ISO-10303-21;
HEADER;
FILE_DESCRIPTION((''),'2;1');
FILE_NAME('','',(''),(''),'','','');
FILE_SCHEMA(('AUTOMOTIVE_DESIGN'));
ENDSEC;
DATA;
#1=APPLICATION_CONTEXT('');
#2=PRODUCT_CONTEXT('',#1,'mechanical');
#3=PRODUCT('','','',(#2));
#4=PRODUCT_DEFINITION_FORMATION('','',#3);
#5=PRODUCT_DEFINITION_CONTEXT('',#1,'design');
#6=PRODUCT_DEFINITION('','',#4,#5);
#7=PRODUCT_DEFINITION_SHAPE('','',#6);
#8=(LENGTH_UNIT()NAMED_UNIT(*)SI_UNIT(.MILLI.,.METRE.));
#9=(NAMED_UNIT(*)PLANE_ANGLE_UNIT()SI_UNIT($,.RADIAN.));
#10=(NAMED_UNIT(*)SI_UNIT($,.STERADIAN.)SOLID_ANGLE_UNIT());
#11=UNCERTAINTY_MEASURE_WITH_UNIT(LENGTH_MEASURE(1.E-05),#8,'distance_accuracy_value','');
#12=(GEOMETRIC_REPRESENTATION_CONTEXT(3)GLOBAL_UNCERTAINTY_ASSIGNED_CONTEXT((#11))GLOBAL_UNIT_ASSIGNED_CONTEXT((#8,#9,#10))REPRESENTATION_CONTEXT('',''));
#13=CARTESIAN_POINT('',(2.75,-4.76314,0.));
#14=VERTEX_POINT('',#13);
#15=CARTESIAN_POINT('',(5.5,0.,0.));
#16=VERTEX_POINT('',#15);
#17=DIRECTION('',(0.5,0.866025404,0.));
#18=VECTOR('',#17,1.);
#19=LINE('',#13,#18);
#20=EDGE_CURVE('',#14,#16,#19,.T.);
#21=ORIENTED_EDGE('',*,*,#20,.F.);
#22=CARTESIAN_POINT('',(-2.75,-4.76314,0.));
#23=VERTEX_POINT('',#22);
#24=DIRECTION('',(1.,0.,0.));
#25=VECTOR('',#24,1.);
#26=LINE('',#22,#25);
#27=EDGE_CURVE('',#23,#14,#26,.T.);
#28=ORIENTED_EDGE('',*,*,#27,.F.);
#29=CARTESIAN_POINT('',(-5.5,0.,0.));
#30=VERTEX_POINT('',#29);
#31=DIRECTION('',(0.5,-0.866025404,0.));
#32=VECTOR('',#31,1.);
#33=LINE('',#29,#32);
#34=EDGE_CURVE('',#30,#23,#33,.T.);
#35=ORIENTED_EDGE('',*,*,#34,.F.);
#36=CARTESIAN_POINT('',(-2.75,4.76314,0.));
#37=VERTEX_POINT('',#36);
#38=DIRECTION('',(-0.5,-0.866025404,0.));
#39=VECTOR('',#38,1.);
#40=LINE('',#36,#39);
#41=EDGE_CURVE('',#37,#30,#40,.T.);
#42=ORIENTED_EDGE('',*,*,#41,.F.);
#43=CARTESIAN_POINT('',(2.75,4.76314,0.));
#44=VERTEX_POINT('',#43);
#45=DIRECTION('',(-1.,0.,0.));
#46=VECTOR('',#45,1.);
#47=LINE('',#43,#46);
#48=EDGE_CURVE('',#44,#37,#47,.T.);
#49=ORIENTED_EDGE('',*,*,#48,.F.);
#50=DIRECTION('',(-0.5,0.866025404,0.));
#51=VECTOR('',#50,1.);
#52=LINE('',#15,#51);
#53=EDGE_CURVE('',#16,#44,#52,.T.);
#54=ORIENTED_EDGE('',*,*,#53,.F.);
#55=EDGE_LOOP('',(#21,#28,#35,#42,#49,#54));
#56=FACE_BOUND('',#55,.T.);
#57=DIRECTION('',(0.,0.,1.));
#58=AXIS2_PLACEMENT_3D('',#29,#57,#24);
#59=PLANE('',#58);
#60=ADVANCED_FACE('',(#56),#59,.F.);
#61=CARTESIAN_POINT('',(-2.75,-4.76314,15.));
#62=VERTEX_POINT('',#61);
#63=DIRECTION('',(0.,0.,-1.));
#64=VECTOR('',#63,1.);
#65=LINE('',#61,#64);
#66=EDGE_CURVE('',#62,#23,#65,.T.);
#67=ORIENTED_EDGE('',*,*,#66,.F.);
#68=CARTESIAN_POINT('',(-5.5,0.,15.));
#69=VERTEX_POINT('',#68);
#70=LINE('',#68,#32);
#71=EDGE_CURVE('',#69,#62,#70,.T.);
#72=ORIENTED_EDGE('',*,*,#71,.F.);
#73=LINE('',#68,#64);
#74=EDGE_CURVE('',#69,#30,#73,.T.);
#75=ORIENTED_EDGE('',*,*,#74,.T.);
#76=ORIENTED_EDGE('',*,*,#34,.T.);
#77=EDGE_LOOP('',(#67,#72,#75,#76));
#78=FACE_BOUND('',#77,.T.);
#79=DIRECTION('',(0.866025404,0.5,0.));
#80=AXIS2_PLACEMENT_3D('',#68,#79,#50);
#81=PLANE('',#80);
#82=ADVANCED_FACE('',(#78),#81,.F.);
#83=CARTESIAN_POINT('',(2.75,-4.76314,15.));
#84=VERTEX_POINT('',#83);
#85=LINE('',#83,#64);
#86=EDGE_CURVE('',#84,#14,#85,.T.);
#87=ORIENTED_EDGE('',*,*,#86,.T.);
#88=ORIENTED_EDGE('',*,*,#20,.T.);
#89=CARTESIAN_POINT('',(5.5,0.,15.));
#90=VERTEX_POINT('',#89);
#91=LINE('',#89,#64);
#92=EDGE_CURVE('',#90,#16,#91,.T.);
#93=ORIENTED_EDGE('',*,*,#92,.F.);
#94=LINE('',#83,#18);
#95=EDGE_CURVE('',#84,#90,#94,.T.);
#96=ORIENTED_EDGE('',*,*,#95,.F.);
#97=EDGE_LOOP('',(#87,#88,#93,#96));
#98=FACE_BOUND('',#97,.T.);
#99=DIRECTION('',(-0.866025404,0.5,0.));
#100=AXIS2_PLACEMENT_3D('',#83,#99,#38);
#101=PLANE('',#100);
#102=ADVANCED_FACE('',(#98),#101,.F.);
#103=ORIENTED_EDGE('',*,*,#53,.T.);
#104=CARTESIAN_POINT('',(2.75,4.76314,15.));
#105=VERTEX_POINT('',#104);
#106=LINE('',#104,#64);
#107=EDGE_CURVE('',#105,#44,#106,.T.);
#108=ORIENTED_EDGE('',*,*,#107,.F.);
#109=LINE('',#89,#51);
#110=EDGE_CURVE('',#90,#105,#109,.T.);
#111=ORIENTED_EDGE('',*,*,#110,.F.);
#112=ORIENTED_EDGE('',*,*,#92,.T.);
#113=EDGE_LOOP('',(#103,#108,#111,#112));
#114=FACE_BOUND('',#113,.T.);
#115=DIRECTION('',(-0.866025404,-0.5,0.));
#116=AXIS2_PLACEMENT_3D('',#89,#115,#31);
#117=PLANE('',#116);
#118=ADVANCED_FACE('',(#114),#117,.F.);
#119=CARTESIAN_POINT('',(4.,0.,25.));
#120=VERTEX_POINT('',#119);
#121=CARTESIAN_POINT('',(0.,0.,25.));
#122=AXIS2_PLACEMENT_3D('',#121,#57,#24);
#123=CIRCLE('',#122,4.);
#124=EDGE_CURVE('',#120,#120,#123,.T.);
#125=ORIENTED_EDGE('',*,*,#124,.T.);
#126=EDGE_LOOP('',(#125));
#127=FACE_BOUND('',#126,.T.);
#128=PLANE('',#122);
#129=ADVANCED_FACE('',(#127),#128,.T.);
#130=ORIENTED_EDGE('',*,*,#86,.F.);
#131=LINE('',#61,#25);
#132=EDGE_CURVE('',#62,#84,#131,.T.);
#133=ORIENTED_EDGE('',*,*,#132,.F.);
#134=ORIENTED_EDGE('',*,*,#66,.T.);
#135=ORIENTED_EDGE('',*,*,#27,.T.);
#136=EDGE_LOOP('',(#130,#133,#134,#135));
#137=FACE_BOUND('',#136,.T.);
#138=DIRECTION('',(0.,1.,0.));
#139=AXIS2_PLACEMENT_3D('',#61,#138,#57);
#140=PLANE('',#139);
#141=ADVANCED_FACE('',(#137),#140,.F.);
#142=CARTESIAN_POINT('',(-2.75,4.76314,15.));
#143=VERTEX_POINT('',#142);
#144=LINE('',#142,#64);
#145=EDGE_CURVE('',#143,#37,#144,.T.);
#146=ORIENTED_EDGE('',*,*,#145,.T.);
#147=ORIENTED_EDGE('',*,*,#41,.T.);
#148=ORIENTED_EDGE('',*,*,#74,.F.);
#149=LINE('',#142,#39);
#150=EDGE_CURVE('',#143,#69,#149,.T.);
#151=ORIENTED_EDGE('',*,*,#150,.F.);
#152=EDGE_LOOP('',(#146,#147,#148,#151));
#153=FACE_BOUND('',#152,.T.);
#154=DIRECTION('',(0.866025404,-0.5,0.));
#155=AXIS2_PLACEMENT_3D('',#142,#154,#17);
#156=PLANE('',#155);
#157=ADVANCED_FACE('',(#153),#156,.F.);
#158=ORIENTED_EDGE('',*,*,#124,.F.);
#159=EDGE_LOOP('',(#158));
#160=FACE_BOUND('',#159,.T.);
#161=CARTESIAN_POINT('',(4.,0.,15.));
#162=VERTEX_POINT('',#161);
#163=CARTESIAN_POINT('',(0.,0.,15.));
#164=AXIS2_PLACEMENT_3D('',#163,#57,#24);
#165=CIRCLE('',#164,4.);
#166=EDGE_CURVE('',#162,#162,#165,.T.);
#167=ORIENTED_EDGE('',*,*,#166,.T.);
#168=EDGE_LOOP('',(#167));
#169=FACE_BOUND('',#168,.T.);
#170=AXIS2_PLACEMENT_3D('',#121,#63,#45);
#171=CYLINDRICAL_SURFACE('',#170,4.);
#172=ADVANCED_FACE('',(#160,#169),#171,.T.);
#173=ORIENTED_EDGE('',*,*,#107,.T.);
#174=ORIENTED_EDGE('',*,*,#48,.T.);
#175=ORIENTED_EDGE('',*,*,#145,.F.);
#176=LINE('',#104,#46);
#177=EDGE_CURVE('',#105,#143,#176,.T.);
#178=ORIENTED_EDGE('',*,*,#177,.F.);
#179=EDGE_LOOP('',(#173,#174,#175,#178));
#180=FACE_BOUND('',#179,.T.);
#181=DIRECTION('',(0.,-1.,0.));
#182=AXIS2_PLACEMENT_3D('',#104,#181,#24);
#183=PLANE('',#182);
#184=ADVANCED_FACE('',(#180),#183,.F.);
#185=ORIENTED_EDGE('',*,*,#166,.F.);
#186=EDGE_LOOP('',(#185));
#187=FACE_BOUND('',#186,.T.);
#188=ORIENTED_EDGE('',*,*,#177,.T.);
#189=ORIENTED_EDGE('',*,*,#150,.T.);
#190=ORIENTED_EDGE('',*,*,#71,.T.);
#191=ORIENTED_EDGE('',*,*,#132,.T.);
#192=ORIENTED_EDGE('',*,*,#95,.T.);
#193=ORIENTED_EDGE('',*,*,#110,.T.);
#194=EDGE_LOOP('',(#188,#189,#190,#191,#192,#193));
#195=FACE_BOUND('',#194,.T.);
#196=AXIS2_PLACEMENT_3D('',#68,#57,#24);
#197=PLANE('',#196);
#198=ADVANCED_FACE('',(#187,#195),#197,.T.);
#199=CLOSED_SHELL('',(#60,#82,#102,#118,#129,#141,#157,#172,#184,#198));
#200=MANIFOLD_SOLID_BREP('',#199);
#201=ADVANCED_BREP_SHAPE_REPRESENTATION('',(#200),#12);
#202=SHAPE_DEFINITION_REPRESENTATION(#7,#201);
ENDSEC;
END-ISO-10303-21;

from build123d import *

# Parameters (mm, degrees)
BOSS_EXTRUDE1_DEPTH = 15
SKETCH2_R           = 4
BOSS_EXTRUDE2_DEPTH = 10


with BuildPart() as part:
    # Sketch1 → Boss-Extrude1 (new body)
    with BuildSketch(Plane.XY):
        Polygon((-5.5, 0), (-2.75, -4.763139721), (2.75, -4.763139721), (5.5, 0), (2.75, 4.763139721), (-2.75, 4.763139721), align=None)
    extrude(amount=BOSS_EXTRUDE1_DEPTH)

    # Sketch2 → Boss-Extrude2 (add)
    with BuildSketch(Plane.XY.offset(15)):
        Circle(SKETCH2_R)
    extrude(amount=BOSS_EXTRUDE2_DEPTH)


solid = part.part
